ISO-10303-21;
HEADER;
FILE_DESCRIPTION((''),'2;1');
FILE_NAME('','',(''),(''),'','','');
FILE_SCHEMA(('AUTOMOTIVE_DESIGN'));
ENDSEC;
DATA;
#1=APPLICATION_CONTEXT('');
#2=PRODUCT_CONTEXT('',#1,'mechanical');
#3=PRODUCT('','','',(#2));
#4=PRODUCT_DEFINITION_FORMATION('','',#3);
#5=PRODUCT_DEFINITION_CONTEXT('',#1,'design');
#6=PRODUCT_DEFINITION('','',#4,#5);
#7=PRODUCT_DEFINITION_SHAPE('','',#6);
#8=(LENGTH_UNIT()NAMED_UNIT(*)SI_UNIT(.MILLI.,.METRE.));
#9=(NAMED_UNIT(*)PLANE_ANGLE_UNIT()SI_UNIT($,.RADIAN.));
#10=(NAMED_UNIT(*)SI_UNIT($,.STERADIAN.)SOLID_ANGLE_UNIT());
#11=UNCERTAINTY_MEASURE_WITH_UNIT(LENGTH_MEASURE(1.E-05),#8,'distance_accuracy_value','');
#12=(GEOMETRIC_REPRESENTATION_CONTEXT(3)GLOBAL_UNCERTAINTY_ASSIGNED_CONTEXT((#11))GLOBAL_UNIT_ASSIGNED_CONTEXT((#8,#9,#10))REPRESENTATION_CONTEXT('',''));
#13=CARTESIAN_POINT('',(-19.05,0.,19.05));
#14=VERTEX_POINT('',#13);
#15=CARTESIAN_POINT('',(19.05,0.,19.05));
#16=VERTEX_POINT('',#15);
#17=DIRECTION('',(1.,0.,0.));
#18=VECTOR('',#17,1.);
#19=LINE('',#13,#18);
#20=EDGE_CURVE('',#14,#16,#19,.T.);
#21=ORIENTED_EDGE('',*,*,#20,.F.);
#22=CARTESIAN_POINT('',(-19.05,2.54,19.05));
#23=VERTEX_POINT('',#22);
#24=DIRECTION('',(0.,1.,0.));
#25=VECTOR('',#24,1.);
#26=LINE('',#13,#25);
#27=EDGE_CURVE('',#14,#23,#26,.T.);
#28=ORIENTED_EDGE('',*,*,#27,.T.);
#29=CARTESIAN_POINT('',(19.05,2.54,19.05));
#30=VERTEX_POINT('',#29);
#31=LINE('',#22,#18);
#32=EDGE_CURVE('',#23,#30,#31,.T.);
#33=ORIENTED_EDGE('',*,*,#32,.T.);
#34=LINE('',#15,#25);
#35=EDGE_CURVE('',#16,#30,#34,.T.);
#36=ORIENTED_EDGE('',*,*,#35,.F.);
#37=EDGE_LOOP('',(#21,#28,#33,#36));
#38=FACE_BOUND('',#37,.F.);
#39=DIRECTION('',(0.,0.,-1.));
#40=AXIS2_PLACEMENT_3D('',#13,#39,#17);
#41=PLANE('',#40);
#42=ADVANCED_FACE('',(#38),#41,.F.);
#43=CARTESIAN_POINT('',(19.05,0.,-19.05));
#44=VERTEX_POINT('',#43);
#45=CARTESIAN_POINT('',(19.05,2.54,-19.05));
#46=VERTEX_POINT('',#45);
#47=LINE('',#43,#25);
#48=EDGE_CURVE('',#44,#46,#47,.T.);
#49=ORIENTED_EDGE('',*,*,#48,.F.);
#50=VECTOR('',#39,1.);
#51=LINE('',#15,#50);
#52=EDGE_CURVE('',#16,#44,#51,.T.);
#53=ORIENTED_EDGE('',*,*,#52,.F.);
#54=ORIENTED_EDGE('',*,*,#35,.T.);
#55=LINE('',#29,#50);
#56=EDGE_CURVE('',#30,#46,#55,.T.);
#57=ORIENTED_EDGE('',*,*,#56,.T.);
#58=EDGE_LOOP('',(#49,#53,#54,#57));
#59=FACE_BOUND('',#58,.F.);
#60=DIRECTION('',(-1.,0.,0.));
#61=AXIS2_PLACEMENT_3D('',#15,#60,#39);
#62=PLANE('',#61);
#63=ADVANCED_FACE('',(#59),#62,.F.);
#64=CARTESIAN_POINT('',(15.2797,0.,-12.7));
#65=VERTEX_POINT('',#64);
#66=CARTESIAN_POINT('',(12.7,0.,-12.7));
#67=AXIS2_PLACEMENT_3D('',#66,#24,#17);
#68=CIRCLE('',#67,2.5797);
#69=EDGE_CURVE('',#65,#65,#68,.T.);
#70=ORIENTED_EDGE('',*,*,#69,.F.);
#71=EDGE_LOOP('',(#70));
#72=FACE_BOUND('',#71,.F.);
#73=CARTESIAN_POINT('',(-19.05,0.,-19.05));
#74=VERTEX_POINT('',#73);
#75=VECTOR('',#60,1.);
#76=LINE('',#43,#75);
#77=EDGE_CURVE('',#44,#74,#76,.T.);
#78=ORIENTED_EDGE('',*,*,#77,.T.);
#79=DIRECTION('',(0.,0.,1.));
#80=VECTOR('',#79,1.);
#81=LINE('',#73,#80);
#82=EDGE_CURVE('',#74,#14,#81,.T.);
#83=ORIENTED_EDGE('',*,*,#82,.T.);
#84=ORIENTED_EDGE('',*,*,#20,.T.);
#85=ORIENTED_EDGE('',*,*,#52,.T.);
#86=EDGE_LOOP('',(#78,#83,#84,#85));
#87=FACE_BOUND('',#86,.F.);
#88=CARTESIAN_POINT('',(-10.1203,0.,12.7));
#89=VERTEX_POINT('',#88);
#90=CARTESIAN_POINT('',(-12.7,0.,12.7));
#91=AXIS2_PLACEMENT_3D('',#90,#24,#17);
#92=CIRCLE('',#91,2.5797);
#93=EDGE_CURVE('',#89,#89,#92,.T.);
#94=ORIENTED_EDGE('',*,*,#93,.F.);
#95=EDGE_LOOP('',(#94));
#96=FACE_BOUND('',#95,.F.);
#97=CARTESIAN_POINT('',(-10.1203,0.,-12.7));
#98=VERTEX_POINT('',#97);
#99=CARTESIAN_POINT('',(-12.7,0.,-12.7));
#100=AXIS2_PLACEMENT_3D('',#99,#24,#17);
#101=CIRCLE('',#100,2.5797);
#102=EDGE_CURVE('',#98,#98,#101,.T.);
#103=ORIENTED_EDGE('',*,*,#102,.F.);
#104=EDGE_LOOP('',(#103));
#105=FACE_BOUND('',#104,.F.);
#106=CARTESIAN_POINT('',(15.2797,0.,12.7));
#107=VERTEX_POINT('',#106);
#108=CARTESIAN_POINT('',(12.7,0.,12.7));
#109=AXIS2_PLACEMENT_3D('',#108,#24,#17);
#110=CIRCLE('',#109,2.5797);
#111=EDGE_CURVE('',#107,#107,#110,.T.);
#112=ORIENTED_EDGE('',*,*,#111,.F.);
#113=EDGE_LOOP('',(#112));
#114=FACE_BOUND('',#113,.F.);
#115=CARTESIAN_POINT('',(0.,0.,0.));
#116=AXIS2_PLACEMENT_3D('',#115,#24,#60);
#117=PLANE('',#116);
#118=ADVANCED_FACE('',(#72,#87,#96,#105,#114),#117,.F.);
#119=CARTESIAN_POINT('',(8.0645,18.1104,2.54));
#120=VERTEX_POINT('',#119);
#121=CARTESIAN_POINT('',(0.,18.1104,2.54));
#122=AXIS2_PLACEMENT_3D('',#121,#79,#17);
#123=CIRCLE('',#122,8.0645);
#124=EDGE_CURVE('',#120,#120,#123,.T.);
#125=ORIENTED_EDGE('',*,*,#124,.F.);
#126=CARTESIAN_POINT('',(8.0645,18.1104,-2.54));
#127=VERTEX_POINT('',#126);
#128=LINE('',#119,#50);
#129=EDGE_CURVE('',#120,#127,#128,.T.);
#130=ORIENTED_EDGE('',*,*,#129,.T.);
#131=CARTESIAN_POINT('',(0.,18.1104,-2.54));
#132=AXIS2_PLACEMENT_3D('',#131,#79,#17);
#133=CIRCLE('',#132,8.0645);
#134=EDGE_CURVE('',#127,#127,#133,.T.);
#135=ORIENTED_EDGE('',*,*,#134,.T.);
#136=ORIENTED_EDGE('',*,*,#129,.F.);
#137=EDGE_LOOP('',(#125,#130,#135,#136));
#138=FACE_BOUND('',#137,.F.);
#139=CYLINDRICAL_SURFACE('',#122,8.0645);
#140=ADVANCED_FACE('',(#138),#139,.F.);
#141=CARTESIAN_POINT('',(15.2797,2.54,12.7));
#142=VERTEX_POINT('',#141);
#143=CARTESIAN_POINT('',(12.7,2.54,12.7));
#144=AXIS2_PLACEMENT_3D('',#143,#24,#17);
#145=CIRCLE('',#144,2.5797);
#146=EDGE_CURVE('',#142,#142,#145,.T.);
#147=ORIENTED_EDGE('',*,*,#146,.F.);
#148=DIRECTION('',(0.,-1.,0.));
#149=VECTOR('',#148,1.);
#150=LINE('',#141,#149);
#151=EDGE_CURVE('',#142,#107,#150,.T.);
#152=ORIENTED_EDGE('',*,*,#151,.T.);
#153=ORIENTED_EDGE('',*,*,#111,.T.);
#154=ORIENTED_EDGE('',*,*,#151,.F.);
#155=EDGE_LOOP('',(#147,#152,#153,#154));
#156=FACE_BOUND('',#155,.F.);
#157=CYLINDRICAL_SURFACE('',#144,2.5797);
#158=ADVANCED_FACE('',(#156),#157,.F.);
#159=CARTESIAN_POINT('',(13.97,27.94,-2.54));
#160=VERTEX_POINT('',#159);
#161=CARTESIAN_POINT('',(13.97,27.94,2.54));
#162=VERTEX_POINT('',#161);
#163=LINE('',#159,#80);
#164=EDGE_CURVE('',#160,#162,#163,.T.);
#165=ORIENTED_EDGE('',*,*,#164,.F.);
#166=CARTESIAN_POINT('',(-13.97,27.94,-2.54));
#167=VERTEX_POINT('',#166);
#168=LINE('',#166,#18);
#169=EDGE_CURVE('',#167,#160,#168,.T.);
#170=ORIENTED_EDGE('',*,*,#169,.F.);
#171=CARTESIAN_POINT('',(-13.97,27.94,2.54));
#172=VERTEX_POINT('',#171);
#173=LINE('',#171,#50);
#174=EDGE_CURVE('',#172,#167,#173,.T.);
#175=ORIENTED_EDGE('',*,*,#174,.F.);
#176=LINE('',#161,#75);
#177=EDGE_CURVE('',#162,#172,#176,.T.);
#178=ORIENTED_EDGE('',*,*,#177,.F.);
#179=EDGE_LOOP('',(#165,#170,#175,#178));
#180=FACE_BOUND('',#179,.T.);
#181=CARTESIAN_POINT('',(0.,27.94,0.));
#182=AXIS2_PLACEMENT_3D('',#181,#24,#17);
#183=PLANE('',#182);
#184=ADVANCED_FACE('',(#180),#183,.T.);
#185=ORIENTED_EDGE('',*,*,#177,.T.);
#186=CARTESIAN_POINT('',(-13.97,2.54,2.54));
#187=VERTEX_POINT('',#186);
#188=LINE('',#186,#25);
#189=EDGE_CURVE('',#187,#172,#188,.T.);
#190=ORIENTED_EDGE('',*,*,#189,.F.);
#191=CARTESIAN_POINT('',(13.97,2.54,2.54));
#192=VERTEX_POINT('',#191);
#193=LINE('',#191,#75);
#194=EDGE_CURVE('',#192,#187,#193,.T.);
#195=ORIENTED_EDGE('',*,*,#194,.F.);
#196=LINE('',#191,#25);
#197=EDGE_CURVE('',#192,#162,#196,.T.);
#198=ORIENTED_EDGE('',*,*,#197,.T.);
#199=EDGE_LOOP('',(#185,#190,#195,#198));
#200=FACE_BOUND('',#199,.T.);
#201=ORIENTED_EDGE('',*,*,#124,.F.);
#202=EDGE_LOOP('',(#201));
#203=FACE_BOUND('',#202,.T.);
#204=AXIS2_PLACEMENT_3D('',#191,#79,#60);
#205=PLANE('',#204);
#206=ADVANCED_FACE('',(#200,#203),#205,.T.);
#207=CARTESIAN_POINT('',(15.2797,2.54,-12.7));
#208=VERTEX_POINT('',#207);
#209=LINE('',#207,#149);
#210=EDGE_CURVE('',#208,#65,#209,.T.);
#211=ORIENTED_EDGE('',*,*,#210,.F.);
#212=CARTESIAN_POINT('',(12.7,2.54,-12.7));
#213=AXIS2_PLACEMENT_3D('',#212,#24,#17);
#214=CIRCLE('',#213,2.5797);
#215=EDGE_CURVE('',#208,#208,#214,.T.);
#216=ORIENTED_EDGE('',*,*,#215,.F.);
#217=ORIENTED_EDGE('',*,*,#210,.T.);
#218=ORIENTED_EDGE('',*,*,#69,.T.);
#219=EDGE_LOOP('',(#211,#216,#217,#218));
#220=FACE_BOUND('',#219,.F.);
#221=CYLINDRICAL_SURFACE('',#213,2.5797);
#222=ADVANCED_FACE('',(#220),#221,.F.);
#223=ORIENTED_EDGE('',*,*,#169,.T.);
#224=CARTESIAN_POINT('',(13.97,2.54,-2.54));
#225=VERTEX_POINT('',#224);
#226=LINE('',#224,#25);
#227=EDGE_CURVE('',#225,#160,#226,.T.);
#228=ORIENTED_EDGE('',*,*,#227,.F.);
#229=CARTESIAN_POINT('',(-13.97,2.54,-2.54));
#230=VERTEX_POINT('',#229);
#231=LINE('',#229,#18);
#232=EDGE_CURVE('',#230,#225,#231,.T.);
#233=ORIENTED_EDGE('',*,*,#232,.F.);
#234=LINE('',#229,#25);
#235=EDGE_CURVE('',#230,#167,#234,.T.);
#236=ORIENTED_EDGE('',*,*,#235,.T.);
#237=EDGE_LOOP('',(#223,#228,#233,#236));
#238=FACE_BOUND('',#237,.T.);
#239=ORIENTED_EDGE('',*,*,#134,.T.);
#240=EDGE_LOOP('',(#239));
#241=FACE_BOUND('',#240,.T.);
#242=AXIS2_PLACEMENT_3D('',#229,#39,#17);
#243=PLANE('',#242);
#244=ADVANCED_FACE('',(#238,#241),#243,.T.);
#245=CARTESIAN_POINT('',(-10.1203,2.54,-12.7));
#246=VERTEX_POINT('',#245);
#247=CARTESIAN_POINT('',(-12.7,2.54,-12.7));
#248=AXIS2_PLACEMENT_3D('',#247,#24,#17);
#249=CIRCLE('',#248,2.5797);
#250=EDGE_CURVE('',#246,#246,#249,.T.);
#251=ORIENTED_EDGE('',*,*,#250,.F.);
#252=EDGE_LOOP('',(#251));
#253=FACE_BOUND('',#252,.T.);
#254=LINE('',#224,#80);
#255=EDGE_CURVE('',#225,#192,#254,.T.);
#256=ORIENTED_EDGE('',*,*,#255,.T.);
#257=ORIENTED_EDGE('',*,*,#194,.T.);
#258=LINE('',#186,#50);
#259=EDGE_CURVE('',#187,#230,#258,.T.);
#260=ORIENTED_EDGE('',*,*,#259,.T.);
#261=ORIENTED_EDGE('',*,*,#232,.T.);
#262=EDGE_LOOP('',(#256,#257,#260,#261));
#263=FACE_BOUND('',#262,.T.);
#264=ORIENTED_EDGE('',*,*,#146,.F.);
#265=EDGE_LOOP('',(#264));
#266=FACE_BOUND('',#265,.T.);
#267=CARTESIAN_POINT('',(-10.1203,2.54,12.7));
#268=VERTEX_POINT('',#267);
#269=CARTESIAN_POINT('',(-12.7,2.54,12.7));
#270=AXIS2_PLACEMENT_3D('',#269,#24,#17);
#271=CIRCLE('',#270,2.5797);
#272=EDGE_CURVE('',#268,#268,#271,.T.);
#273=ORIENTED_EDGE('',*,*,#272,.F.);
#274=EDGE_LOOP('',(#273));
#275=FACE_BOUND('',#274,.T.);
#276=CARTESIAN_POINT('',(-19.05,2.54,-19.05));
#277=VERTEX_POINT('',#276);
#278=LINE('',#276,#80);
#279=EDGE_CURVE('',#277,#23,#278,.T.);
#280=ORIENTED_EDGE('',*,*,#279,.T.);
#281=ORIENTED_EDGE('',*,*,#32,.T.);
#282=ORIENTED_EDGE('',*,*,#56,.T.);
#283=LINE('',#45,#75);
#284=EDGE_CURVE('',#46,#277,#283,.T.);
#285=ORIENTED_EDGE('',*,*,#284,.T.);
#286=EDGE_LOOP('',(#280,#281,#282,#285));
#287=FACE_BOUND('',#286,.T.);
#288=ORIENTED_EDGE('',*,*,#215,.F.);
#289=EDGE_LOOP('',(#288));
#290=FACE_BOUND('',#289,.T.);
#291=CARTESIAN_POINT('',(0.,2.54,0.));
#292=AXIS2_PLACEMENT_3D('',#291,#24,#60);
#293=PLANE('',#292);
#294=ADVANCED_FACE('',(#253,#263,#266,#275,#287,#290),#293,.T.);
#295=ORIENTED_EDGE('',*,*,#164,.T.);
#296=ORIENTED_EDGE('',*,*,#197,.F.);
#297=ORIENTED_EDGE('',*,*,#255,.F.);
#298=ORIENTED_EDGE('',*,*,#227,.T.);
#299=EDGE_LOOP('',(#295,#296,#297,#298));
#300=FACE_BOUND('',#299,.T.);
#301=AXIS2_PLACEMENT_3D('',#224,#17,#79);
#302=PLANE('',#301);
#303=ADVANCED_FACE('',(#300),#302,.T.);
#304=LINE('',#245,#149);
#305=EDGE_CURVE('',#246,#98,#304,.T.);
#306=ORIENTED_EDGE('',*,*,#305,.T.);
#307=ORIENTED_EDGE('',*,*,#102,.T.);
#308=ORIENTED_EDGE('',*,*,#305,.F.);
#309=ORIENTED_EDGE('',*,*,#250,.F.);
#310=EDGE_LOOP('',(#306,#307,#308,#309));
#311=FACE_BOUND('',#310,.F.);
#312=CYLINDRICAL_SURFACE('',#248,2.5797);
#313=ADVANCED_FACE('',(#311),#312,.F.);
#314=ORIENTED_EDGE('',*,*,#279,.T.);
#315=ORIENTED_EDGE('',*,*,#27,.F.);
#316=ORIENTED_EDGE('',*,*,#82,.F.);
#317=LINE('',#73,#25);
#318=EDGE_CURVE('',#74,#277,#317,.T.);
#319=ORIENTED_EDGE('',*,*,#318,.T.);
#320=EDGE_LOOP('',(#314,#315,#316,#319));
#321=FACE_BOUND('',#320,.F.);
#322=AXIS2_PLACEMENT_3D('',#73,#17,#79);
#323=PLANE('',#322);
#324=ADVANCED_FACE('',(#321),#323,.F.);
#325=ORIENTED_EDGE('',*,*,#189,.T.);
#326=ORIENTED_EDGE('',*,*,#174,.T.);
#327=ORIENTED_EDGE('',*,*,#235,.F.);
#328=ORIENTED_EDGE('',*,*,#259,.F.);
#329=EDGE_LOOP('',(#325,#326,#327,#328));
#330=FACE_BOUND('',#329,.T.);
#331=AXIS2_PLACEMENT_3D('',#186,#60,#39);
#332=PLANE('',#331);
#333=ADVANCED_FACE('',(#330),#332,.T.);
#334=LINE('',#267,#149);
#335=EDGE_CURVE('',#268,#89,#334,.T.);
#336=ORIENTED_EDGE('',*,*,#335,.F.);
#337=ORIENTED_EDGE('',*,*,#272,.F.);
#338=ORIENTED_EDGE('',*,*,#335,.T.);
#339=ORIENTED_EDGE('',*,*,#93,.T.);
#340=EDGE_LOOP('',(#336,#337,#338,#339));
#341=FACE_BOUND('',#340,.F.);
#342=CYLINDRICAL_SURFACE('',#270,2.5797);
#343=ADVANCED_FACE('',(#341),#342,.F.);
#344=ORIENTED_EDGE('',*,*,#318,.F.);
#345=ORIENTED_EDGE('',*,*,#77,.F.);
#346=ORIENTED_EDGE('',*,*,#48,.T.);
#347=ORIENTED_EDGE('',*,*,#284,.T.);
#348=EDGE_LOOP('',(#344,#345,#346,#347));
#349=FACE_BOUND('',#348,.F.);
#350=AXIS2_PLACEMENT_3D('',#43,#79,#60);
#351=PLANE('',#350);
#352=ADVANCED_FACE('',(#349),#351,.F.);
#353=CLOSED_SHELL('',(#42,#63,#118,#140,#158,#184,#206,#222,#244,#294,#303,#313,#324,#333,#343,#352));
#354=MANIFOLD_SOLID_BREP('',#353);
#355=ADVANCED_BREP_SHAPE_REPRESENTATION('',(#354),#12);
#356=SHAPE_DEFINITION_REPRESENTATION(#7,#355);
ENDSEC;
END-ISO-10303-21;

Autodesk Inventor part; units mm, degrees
ref_plane "YZ Plane" through (0, 0, 0) normal (1, 0, 0) x (0, 1, 0)
ref_plane "XZ Plane" through (0, 0, 0) normal (0, 1, 0) x (-1, 0, 0)
ref_plane "XY Plane" through (0, 0, 0) normal (0, 0, 1) x (1, 0, 0)
sketch "Sketch1" plane through (0, 0, 0) normal (0, 1, 0) x (-1, 0, 0)
  line L0 (-19.05, -19.05) -> (19.05, -19.05)
  line L1 (19.05, -19.05) -> (19.05, 19.05)
  line L2 (19.05, 19.05) -> (-19.05, 19.05)
  line L3 (-19.05, 19.05) -> (-19.05, -19.05)
  line L4 (-19.05, -19.05) -> (19.05, 19.05) construction
  line L5 (19.05, -19.05) -> (-19.05, 19.05) construction
  point P0 (0, 0)
  dimension "d0" = 38.1
  dimension "d1" = 38.1
extrude "Extrusion1" add sketch "Sketch1" along normal blind 2.54
sketch "Sketch2" plane through (0, 2.54, 0) normal (0, 1, 0) x (1, 0, 0)
  line L0 (13.97, -2.54) -> (-13.97, -2.54)
  line L1 (-13.97, -2.54) -> (-13.97, 2.54)
  line L2 (-13.97, 2.54) -> (13.97, 2.54)
  line L3 (13.97, 2.54) -> (13.97, -2.54)
  line L4 (-19.05, 19.05) -> (-19.05, -19.05) projected
  line L5 (19.05, -19.05) -> (19.05, 19.05) projected
  line L6 (19.05, 19.05) -> (-19.05, 19.05) projected
  point P0 (0, 0)
  dimension "d4" = 5.08
  dimension "d5" = 5.08
  dimension "d6" = 16.51
  dimension "d7" = 5.08
extrude "Extrusion2" add sketch "Sketch2" along normal blind 25.4
sketch "Sketch3" plane through (-13.97, 2.54, 2.54) normal (0, 0, 1) x (1, 0, 0)
  circle A0 centre (13.97, 15.5704) radius 8.0645
  point P0 (13.97, -2.54)
  dimension "d10" = 16.129
extrude "Extrusion3" cut sketch "Sketch3" against normal blind 50.8
sketch "Sketch4" plane through (0, 2.54, 0) normal (0, 1, 0) x (1, 0, 0)
  circle A0 centre (-12.7, -12.7) radius 2.5797
  circle A1 centre (-12.7, 12.7) radius 2.5797
  circle A2 centre (12.7, 12.7) radius 2.5797
  circle A3 centre (12.7, -12.7) radius 2.5797
  line L0 (-19.05, 19.05) -> (-19.05, -19.05) projected
  line L1 (-19.05, -19.05) -> (19.05, -19.05) projected
  line L2 (19.05, -19.05) -> (19.05, 19.05) projected
  line L3 (19.05, 19.05) -> (-19.05, 19.05) projected
  point P0 (0, 0)
  dimension "d13" = 5.1594
  dimension "d14" = 5.1594
  dimension "d15" = 5.1594
  dimension "d16" = 5.1594
  dimension "d17" = 6.35
  dimension "d18" = 6.35
  dimension "d19" = 6.35
  dimension "d20" = 6.35
  dimension "d21" = 6.35
  dimension "d22" = 6.35
  dimension "d23" = 6.35
  dimension "d24" = 6.35
extrude "Extrusion4" cut sketch "Sketch4" against normal blind 50.8 contours A0 | A1 | A2 | A3
equation "\"d1\" = d0"
equation "\"d4\" = d5"
equation "\"d14\" = d13"
equation "\"d15\" = d13"
equation "\"d16\" = d13"
equation "\"d18\" = d17"
equation "\"d19\" = d17"
equation "\"d20\" = d17"
equation "\"d21\" = d17"
equation "\"d22\" = d17"
equation "\"d23\" = d17"
equation "\"d24\" = d17"
properties part number "pneumatics front holder"
